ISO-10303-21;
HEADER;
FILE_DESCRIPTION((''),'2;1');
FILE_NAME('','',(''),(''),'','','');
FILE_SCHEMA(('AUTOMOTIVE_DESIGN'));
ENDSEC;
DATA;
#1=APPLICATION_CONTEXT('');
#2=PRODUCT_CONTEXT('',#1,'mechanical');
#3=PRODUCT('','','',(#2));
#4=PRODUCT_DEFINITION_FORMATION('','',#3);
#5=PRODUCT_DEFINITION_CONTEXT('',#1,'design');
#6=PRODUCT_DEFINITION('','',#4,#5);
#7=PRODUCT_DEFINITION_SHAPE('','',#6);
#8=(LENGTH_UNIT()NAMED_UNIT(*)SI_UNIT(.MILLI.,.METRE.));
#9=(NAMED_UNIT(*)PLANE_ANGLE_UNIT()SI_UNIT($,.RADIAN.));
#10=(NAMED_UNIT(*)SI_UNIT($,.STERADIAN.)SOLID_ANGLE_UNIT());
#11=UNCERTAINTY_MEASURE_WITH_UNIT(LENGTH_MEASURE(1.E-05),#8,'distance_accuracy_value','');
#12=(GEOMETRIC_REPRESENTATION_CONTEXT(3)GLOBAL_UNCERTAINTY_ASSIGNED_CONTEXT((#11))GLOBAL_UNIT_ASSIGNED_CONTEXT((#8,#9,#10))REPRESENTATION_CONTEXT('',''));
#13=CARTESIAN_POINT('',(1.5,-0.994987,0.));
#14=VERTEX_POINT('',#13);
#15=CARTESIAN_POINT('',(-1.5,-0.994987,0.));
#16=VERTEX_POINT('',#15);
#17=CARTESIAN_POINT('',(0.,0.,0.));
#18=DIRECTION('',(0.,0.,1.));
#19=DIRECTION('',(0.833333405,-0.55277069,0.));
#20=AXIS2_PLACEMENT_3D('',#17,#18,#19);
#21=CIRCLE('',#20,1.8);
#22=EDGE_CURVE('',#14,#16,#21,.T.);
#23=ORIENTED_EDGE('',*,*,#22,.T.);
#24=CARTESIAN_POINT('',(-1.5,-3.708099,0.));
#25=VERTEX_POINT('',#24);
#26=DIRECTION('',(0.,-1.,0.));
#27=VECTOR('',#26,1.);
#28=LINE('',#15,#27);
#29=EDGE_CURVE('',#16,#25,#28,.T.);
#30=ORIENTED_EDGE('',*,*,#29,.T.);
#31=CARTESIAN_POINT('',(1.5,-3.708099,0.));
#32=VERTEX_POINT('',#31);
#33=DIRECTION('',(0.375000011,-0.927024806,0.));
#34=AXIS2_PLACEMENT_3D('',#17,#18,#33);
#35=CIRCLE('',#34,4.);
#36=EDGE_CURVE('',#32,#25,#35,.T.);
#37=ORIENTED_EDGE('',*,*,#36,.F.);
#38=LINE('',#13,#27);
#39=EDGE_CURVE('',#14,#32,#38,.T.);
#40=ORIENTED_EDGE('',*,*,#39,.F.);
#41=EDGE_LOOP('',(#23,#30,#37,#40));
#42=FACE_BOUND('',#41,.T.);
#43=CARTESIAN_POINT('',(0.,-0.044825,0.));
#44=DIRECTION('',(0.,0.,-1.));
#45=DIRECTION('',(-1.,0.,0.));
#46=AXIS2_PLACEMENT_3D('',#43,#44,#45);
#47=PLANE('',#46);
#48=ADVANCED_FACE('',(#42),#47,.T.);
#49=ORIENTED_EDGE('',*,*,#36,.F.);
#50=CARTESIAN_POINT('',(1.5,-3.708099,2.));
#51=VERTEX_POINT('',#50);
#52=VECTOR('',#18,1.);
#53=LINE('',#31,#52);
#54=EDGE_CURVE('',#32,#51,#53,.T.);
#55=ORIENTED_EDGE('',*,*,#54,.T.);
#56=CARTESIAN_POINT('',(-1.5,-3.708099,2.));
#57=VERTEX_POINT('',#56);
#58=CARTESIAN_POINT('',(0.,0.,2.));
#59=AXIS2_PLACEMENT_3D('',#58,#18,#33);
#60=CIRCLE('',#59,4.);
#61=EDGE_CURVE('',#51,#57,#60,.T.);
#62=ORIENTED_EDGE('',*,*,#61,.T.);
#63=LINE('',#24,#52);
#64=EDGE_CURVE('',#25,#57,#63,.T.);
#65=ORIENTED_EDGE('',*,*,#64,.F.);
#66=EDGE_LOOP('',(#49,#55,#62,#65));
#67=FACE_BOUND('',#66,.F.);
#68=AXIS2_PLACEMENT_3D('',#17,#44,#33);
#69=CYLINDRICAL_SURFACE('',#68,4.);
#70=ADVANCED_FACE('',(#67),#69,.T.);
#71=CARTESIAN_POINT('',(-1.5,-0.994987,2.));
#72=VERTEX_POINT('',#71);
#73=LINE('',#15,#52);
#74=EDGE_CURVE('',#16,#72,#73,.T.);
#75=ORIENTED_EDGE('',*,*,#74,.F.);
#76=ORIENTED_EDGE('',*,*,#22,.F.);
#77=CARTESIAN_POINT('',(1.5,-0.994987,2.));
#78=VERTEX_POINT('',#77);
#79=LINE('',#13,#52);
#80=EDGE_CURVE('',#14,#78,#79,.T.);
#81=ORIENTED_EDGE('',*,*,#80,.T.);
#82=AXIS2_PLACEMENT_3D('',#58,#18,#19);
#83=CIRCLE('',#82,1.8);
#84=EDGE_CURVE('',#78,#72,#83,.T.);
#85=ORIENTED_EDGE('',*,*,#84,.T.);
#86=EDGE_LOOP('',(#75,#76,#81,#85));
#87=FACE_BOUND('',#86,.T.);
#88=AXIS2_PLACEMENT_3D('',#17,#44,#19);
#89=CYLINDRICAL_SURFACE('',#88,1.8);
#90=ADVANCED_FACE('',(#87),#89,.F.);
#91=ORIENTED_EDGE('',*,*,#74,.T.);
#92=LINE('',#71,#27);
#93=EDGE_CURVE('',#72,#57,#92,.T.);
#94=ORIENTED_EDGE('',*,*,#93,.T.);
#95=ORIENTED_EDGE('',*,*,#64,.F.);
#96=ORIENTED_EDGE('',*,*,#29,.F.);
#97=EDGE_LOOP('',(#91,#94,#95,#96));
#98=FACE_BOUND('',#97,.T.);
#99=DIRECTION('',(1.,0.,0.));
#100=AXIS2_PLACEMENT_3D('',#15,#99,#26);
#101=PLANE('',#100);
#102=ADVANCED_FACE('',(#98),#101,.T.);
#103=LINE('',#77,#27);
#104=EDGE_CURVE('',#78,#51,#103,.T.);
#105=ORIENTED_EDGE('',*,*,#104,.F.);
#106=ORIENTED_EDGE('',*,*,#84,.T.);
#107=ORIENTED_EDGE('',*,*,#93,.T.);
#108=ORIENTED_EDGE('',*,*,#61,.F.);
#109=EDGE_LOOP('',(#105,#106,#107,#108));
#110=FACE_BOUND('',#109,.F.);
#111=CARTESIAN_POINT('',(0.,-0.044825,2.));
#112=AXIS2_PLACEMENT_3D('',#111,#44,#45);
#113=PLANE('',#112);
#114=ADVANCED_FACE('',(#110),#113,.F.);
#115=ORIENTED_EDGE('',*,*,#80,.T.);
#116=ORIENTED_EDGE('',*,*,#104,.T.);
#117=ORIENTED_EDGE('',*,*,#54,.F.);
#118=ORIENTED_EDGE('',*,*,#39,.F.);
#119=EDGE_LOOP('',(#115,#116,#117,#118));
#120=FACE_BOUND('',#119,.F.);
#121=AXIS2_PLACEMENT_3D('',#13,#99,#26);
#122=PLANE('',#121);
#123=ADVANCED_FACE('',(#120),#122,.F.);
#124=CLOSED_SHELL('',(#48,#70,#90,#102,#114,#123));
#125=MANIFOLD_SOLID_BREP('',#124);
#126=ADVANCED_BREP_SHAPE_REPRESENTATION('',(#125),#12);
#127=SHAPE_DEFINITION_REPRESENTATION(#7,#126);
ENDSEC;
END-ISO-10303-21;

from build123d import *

# Parameters (mm, degrees)
PAD_DEPTH = 2


with BuildPart() as part:
    # Sketch → Pad (new body)
    with BuildSketch(Plane.XY):
        with BuildLine():
            ThreePointArc((1.5, -0.994987), (0, 1.8), (-1.5, -0.994987))
            Line((-1.5, -0.994987), (-1.5, -3.708099))
            ThreePointArc((1.5, -3.708099), (0, 4), (-1.5, -3.708099))
            Line((1.5, -0.994987), (1.5, -3.708099))
        make_face()
    extrude(amount=PAD_DEPTH)


solid = part.part
